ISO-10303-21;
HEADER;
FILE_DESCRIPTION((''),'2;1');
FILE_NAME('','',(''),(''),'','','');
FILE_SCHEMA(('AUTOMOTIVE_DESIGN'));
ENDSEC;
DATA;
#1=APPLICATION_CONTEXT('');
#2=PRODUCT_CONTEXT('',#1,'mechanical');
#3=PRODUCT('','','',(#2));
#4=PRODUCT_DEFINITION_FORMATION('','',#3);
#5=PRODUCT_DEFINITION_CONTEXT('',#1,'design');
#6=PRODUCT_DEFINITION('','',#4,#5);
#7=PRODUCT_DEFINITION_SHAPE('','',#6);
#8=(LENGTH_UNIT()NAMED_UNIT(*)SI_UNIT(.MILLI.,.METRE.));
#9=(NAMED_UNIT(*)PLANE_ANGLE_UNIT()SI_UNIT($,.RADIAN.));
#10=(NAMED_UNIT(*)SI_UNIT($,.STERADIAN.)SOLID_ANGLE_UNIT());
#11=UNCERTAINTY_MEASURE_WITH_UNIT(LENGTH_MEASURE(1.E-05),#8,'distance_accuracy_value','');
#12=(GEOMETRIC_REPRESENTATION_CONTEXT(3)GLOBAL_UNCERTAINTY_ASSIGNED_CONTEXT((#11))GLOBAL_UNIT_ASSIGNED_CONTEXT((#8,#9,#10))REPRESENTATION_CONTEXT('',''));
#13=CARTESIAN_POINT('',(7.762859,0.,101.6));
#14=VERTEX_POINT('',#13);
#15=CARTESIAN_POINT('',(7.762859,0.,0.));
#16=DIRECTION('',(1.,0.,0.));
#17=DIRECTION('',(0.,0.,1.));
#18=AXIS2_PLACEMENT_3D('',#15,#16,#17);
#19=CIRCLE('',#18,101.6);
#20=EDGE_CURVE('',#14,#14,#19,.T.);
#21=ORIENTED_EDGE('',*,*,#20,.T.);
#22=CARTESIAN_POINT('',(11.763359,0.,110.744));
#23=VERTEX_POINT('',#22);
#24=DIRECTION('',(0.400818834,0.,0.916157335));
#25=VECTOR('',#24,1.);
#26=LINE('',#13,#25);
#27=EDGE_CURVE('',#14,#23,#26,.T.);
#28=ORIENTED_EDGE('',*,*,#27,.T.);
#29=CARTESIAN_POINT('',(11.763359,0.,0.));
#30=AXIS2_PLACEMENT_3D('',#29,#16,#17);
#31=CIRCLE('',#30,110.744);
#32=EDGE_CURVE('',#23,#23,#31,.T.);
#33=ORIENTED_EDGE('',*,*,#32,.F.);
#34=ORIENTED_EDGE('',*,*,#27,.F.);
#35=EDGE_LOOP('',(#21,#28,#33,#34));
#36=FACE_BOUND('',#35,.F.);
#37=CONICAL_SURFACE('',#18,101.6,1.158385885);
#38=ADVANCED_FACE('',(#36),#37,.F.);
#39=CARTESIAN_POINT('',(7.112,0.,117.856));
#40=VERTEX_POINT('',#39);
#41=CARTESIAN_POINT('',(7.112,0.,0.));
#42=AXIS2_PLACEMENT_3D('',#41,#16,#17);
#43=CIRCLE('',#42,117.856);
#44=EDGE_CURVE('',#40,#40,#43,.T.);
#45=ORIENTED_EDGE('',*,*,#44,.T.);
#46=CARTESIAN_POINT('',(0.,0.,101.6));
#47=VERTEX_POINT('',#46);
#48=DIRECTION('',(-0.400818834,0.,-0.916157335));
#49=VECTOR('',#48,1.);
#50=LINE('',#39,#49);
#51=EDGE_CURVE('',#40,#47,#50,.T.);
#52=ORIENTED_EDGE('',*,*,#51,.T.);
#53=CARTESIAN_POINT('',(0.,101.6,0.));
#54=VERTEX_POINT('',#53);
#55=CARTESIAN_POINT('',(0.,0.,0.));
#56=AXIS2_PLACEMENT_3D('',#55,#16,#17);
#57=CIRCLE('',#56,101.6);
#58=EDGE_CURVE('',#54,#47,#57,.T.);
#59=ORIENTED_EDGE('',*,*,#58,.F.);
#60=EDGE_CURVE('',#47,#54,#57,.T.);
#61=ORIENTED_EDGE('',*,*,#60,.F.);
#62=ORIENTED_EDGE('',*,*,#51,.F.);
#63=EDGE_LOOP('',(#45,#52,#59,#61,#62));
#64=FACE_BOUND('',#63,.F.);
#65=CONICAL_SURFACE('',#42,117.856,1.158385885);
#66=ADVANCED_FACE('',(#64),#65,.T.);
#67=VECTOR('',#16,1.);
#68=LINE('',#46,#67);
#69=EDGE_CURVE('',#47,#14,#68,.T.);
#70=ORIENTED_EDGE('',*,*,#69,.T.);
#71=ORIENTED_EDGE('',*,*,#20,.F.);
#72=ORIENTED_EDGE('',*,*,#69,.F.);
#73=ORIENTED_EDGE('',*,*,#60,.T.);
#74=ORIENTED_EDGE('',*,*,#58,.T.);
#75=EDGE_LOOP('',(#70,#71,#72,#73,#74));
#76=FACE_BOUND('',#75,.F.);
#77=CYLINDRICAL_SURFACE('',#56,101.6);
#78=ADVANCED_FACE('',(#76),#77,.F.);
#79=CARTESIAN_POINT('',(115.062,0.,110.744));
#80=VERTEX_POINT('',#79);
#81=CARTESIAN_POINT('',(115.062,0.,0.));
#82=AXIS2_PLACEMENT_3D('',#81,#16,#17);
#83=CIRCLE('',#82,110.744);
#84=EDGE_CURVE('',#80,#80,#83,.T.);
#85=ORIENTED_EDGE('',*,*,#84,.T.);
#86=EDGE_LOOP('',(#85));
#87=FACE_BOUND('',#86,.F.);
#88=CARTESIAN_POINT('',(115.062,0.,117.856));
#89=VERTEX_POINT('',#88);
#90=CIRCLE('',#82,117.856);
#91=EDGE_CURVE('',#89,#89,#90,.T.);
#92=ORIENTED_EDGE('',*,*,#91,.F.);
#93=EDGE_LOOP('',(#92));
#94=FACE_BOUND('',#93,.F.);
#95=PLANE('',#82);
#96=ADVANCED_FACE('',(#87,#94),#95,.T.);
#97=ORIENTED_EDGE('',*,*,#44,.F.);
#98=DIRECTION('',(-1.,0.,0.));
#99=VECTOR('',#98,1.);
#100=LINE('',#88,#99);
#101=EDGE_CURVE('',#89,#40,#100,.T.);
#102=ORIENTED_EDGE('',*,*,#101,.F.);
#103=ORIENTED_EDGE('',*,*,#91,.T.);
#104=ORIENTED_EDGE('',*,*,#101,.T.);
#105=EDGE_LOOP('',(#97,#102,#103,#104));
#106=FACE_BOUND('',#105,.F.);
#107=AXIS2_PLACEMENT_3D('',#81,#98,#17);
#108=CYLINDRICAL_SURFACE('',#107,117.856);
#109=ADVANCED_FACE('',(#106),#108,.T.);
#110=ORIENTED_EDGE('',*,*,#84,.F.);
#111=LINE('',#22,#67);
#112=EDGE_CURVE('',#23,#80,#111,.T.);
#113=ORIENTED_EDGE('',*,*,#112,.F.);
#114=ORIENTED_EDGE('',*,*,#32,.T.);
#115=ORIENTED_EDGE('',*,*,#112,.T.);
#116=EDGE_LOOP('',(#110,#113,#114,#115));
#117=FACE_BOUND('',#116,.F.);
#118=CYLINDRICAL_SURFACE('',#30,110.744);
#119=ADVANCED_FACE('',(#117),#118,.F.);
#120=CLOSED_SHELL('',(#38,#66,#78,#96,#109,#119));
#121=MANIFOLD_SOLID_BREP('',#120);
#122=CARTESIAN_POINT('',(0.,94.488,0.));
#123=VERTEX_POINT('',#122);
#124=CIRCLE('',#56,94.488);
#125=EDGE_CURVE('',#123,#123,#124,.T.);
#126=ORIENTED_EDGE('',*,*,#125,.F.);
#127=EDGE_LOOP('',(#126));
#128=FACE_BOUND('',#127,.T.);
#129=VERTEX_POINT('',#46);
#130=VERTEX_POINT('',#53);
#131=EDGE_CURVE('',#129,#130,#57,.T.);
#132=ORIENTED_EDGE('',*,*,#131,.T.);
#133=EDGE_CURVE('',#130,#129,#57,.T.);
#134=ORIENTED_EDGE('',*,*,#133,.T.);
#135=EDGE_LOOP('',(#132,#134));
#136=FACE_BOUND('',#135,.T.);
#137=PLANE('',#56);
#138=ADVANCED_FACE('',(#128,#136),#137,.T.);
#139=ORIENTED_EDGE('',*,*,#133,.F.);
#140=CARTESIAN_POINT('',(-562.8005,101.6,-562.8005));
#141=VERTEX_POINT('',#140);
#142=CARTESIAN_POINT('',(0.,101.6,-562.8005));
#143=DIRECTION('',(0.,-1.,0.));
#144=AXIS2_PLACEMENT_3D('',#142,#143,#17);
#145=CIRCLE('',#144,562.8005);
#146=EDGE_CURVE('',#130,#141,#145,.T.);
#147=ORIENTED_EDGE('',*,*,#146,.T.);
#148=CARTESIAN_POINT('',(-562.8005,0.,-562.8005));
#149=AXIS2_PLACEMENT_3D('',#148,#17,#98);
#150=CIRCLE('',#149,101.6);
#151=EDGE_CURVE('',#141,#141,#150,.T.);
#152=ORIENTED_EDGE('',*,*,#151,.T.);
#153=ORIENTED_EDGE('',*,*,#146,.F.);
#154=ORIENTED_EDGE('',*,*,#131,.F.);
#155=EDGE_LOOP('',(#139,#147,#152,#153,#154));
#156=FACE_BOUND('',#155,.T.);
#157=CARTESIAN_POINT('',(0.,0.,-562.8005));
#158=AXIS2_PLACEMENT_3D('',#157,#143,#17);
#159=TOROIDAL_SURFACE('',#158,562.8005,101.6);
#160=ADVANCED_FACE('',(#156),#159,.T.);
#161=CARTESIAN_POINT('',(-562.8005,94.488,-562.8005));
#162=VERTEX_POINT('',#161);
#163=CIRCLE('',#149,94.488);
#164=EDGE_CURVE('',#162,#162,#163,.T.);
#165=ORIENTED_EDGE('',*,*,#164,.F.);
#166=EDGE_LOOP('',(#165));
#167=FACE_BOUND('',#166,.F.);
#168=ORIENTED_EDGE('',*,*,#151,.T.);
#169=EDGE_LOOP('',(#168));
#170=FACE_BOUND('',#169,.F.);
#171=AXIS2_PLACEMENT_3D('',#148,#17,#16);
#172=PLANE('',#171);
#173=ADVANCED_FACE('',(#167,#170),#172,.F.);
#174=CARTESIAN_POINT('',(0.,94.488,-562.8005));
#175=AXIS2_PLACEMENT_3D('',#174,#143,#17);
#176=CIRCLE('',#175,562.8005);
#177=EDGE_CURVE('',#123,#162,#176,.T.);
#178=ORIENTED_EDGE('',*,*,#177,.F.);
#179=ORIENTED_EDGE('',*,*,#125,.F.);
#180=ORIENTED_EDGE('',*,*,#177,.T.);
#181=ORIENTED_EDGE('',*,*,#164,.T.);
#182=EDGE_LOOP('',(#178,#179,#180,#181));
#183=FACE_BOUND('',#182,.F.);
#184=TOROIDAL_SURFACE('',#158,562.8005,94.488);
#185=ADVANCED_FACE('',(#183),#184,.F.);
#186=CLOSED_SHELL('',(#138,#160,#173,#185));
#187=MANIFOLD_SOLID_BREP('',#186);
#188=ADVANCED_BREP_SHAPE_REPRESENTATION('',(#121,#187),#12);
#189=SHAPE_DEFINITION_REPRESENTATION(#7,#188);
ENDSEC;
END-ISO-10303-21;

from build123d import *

# Parameters (mm, degrees)
F1_R   = 101.6
F1_R_2 = 94.488


with BuildPart() as f2:
    # F0 (on Front) → F2 (revolve)
    with BuildSketch(Plane.XZ):
        Polygon((7.112, 117.856), (0, 101.6), (7.762859, 101.6), (11.763359, 110.744), (115.062, 110.744), (115.062, 117.856), align=None)
    revolve(axis=Axis((57.531, 0, 0), (1, 0, 0)))

    # F4: sweep along a path in F3
    with BuildLine(Plane.XZ) as f4_path:
        ThreePointArc((0, 0), (-397.96005, -164.84045), (-562.8005, -562.8005))
    # F1 (on Right) → F4 (sweep)
    with BuildSketch(Plane.YZ):
        Circle(F1_R)
        Circle(F1_R_2, mode=Mode.SUBTRACT)
    sweep(path=f4_path.line)


solid = f2.part
